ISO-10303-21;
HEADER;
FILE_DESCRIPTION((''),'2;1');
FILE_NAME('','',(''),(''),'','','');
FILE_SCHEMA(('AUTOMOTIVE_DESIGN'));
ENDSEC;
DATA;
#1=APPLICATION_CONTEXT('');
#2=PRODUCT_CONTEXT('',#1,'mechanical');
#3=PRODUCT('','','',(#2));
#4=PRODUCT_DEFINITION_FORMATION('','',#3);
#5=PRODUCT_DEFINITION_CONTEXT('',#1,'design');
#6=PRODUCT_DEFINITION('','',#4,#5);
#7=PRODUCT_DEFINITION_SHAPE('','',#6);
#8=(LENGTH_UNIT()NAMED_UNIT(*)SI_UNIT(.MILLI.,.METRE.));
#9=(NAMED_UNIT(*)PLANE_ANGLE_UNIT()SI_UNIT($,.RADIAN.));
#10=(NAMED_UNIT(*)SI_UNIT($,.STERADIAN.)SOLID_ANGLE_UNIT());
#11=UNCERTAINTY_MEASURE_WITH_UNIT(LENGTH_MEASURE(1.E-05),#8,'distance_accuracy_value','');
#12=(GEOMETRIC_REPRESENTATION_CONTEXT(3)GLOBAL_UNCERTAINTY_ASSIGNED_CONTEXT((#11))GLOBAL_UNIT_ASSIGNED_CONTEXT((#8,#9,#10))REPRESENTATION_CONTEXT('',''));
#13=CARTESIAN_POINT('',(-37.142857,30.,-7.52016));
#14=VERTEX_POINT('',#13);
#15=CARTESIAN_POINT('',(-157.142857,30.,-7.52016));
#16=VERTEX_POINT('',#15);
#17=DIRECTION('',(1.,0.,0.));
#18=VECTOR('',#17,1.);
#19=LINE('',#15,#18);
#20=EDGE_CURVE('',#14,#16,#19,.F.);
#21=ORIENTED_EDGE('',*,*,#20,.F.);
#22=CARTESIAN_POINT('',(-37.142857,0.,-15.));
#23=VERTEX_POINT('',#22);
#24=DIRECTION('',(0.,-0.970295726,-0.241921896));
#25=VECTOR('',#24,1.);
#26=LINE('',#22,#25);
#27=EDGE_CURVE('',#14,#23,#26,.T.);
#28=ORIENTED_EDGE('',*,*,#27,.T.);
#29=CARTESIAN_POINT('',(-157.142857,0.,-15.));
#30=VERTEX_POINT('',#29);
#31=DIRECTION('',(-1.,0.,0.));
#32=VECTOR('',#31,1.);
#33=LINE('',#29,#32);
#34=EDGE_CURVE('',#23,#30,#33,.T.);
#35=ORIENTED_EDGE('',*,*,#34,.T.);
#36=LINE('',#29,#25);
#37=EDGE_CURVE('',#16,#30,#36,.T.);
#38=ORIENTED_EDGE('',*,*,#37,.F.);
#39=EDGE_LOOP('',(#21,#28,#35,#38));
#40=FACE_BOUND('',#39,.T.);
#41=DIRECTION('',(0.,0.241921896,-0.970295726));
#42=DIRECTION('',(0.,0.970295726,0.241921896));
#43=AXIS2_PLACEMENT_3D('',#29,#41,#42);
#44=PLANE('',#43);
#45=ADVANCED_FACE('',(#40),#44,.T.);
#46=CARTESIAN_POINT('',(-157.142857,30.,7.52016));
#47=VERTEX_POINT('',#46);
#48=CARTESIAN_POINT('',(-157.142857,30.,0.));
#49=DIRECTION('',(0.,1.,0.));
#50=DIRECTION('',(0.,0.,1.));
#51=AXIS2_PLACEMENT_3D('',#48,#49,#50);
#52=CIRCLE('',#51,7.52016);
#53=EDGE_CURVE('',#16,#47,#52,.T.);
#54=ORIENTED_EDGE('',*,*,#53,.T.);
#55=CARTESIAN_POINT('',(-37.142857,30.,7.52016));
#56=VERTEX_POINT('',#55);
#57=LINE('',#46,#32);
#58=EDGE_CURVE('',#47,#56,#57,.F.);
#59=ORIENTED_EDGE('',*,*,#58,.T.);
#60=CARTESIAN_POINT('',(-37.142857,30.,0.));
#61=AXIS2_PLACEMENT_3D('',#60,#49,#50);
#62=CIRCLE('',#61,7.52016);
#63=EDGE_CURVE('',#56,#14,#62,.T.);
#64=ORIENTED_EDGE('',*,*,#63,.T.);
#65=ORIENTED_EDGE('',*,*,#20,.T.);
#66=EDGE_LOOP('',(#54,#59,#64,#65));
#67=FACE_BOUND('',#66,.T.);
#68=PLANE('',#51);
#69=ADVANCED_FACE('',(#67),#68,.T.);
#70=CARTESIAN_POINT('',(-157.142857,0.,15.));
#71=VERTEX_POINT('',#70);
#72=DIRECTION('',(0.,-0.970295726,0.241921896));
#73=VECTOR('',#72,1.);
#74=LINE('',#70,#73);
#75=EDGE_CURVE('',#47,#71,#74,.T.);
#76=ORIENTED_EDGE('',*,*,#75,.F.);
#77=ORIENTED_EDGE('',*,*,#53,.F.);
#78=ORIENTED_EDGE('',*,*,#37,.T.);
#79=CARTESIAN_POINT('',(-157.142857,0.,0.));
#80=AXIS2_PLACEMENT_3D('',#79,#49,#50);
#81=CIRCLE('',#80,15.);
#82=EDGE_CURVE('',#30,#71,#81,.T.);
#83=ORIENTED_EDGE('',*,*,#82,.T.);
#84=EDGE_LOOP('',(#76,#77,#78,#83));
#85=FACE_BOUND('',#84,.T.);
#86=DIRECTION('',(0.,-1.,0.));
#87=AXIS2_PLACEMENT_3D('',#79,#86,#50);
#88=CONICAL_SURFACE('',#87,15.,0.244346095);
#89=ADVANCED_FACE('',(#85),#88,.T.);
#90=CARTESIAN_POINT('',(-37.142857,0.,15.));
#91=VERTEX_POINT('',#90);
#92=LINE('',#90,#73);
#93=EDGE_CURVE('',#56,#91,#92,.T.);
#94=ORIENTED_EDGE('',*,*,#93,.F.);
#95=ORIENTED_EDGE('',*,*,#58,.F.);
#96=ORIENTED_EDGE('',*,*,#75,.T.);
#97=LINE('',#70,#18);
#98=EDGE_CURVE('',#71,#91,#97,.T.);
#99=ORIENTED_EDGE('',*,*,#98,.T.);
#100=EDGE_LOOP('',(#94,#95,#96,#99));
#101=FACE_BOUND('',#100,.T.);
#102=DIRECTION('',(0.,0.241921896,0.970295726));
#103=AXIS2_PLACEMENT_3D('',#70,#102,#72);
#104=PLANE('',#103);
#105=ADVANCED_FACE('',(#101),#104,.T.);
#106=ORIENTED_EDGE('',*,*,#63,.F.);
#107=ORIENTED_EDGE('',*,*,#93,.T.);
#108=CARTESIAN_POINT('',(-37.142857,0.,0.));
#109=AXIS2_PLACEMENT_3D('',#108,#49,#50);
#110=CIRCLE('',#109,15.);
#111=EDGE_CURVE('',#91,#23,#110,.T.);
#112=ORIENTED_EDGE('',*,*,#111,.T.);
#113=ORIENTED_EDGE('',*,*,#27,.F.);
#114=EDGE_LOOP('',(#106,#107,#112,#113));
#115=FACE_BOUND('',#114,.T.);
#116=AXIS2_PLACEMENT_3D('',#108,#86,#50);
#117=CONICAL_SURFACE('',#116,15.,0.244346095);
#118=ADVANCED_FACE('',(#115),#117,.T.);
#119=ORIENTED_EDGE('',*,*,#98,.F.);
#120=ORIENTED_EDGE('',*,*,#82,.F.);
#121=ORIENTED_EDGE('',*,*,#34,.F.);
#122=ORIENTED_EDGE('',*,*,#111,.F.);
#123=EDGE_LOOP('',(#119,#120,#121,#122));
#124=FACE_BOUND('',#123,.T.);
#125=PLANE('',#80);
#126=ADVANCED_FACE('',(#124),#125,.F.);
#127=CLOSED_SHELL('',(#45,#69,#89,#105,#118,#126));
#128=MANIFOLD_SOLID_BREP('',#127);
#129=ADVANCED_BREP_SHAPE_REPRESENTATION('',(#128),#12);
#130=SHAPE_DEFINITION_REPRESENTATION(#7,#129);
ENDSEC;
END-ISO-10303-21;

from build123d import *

# Parameters (mm, degrees)
SALIENTE_EXTRUIR1_DEPTH = 30
SALIENTE_EXTRUIR1_TAPER = 14


with BuildPart() as part:
    # Croquis1 → Saliente-Extruir1 (new body)
    with BuildSketch(Plane(origin=(0, 0, 0), x_dir=(1, 0, 0), z_dir=(0, 1, 0))):
        with BuildLine():
            ThreePointArc((-157.142857143, 15), (-172.142857143, 0), (-157.142857143, -15))
            Line((-157.142857143, -15), (-37.142857143, -15))
            ThreePointArc((-37.142857143, -15), (-22.142857143, 0), (-37.142857143, 15))
            Line((-37.142857143, 15), (-157.142857143, 15))
        make_face()
    extrude(amount=SALIENTE_EXTRUIR1_DEPTH, taper=SALIENTE_EXTRUIR1_TAPER)


solid = part.part
